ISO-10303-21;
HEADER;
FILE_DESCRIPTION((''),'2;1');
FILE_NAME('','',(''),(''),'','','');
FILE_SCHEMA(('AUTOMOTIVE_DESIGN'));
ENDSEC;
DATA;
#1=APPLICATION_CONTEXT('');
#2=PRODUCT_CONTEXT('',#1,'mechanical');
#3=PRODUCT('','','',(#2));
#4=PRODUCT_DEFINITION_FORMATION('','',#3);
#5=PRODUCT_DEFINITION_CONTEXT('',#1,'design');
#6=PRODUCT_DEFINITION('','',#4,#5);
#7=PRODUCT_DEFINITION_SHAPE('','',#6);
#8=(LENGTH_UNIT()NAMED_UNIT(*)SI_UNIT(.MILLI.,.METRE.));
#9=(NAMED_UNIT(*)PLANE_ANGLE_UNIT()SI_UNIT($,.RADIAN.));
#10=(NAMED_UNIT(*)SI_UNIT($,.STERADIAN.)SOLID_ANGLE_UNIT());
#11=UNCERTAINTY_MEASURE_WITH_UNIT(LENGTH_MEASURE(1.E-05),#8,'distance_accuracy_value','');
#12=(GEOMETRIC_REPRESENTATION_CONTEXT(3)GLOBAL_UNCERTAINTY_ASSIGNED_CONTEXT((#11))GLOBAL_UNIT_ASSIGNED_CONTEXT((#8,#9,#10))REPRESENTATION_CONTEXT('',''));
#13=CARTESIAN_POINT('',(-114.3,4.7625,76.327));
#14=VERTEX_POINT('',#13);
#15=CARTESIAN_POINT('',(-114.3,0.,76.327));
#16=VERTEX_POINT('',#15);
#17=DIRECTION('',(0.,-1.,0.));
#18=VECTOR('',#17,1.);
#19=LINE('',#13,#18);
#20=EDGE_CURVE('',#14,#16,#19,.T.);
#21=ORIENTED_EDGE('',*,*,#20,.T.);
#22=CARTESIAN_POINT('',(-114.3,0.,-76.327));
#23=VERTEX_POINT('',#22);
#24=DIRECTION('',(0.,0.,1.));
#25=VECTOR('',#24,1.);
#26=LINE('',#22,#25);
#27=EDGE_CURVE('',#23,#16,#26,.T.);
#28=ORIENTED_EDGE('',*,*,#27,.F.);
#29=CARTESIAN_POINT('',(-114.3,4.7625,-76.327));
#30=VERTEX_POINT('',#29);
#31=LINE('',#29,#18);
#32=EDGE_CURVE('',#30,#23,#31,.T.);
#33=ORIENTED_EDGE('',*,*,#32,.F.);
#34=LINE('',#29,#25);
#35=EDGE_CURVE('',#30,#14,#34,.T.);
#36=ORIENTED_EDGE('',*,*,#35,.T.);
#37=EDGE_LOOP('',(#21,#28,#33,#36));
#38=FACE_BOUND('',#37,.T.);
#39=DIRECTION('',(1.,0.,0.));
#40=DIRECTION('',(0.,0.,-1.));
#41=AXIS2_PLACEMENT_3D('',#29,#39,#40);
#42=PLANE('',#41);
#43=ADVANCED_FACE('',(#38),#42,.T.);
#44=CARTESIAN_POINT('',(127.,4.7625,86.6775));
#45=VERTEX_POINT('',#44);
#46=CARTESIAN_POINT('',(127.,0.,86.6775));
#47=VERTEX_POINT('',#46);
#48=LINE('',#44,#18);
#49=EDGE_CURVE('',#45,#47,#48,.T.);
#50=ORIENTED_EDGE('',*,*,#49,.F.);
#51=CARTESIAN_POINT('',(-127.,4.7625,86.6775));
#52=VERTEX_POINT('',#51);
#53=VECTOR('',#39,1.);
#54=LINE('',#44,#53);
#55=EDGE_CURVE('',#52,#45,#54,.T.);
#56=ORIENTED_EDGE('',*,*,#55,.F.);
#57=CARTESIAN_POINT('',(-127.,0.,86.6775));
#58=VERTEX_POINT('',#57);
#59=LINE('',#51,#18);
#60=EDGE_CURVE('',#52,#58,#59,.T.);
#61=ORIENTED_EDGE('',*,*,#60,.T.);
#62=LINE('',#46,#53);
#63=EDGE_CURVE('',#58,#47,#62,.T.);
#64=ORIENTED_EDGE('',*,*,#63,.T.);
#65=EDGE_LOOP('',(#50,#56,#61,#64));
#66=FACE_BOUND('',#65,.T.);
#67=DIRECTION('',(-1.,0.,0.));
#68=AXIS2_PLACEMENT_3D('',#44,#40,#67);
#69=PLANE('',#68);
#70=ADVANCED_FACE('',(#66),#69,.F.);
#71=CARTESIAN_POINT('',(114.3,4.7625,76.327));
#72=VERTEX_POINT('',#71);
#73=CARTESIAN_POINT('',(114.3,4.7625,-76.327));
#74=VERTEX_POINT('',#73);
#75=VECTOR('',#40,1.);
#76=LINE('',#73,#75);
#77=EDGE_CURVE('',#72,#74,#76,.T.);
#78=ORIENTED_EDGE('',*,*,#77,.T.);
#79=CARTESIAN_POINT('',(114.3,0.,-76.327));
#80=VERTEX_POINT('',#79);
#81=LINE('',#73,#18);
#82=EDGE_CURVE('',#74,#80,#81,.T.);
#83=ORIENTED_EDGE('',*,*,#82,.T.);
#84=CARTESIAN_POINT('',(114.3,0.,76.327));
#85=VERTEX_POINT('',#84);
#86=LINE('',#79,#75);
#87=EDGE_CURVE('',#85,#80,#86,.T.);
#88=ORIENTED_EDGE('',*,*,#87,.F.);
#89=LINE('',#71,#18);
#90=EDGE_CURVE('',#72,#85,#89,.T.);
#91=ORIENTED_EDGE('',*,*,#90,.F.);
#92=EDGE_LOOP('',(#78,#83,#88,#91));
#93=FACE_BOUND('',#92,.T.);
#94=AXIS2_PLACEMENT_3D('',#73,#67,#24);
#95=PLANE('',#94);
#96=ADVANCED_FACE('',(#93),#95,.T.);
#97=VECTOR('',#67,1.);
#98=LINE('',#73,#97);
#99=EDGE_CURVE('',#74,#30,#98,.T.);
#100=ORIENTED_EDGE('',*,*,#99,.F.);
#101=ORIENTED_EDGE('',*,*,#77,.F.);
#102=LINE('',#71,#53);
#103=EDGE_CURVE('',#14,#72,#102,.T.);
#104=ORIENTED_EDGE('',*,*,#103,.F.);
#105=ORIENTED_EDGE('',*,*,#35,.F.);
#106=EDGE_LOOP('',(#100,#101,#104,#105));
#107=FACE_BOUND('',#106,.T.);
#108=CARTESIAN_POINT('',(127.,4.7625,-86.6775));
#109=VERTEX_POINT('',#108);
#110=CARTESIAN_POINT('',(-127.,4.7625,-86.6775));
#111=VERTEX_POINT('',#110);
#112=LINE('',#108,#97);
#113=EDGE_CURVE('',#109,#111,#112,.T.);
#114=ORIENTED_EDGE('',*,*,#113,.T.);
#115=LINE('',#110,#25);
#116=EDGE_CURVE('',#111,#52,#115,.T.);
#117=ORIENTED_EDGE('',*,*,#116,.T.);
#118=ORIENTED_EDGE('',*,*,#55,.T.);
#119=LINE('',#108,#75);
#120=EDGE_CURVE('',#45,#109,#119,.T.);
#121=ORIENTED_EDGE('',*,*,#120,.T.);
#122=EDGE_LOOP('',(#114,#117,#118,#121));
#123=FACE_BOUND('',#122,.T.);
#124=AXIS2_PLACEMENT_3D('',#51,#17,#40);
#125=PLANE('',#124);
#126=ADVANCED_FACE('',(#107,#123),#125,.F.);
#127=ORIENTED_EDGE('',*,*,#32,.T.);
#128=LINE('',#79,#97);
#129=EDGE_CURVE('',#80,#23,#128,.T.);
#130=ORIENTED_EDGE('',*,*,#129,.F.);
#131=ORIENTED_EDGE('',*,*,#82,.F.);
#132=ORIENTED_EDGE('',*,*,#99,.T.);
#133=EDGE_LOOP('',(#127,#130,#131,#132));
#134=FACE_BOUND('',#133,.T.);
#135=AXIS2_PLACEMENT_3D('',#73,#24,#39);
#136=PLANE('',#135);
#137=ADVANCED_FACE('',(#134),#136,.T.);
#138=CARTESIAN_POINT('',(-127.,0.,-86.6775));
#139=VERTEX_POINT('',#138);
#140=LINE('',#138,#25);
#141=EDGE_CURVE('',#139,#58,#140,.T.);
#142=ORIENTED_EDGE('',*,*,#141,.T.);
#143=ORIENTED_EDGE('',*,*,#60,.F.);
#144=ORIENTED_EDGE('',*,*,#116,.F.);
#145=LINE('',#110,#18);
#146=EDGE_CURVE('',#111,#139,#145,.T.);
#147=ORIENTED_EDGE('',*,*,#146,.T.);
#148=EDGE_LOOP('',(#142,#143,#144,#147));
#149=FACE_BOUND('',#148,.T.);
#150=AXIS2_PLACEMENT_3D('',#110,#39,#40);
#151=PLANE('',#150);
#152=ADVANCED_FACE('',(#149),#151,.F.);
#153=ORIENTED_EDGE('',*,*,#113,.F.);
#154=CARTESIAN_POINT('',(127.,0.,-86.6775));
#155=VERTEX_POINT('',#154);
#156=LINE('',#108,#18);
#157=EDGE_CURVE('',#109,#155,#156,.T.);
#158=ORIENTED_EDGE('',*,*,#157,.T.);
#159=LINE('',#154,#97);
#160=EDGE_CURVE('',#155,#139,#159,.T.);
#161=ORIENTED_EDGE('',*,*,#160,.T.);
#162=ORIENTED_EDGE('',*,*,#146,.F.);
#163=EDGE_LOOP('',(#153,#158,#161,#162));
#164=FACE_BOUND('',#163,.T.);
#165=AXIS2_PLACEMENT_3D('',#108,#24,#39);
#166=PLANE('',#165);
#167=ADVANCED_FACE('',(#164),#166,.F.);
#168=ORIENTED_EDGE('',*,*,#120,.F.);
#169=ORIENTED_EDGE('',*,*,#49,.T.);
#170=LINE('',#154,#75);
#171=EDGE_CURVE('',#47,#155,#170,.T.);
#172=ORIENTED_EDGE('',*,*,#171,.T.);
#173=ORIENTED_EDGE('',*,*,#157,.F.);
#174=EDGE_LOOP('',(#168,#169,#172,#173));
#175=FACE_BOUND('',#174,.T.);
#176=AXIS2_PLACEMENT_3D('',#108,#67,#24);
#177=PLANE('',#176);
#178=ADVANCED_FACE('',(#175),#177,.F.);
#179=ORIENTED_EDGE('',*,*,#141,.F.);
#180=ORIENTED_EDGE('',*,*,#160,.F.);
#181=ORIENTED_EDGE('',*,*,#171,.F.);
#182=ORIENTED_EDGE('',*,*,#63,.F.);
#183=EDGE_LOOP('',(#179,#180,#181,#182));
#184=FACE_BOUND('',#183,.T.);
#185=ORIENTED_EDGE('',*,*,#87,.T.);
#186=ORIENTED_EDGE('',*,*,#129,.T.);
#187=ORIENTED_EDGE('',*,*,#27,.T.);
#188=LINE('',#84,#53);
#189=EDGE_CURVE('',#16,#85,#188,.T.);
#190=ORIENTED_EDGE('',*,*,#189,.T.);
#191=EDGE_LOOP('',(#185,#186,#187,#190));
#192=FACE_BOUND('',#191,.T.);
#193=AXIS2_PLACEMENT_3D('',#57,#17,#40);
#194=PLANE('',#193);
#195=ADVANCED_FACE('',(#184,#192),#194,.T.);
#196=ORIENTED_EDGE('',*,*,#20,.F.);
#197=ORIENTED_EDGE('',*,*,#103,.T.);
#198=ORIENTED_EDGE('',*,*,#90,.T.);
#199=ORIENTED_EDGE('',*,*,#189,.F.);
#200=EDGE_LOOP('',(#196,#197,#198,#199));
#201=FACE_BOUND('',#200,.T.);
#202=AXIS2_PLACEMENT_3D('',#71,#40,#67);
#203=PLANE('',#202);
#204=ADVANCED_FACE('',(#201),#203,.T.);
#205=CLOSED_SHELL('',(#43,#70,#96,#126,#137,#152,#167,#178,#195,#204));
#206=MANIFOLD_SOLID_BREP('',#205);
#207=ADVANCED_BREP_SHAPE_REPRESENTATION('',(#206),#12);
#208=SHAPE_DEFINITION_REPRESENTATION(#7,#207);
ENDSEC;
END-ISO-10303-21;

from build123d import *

# Parameters (mm, degrees)
SKETCH1_W           = 254
SKETCH1_H           = 173.355
SKETCH1_W_2         = 228.6
SKETCH1_H_2         = 152.654
BOSS_EXTRUDE1_DEPTH = 4.7625


with BuildPart() as part:
    # Sketch1 → Boss-Extrude1 (new body)
    with BuildSketch(Plane(origin=(0, 0, 0), x_dir=(1, 0, 0), z_dir=(0, 1, 0))):
        Rectangle(SKETCH1_W, SKETCH1_H)
        Rectangle(SKETCH1_W_2, SKETCH1_H_2, mode=Mode.SUBTRACT)
    extrude(amount=BOSS_EXTRUDE1_DEPTH)


solid = part.part
